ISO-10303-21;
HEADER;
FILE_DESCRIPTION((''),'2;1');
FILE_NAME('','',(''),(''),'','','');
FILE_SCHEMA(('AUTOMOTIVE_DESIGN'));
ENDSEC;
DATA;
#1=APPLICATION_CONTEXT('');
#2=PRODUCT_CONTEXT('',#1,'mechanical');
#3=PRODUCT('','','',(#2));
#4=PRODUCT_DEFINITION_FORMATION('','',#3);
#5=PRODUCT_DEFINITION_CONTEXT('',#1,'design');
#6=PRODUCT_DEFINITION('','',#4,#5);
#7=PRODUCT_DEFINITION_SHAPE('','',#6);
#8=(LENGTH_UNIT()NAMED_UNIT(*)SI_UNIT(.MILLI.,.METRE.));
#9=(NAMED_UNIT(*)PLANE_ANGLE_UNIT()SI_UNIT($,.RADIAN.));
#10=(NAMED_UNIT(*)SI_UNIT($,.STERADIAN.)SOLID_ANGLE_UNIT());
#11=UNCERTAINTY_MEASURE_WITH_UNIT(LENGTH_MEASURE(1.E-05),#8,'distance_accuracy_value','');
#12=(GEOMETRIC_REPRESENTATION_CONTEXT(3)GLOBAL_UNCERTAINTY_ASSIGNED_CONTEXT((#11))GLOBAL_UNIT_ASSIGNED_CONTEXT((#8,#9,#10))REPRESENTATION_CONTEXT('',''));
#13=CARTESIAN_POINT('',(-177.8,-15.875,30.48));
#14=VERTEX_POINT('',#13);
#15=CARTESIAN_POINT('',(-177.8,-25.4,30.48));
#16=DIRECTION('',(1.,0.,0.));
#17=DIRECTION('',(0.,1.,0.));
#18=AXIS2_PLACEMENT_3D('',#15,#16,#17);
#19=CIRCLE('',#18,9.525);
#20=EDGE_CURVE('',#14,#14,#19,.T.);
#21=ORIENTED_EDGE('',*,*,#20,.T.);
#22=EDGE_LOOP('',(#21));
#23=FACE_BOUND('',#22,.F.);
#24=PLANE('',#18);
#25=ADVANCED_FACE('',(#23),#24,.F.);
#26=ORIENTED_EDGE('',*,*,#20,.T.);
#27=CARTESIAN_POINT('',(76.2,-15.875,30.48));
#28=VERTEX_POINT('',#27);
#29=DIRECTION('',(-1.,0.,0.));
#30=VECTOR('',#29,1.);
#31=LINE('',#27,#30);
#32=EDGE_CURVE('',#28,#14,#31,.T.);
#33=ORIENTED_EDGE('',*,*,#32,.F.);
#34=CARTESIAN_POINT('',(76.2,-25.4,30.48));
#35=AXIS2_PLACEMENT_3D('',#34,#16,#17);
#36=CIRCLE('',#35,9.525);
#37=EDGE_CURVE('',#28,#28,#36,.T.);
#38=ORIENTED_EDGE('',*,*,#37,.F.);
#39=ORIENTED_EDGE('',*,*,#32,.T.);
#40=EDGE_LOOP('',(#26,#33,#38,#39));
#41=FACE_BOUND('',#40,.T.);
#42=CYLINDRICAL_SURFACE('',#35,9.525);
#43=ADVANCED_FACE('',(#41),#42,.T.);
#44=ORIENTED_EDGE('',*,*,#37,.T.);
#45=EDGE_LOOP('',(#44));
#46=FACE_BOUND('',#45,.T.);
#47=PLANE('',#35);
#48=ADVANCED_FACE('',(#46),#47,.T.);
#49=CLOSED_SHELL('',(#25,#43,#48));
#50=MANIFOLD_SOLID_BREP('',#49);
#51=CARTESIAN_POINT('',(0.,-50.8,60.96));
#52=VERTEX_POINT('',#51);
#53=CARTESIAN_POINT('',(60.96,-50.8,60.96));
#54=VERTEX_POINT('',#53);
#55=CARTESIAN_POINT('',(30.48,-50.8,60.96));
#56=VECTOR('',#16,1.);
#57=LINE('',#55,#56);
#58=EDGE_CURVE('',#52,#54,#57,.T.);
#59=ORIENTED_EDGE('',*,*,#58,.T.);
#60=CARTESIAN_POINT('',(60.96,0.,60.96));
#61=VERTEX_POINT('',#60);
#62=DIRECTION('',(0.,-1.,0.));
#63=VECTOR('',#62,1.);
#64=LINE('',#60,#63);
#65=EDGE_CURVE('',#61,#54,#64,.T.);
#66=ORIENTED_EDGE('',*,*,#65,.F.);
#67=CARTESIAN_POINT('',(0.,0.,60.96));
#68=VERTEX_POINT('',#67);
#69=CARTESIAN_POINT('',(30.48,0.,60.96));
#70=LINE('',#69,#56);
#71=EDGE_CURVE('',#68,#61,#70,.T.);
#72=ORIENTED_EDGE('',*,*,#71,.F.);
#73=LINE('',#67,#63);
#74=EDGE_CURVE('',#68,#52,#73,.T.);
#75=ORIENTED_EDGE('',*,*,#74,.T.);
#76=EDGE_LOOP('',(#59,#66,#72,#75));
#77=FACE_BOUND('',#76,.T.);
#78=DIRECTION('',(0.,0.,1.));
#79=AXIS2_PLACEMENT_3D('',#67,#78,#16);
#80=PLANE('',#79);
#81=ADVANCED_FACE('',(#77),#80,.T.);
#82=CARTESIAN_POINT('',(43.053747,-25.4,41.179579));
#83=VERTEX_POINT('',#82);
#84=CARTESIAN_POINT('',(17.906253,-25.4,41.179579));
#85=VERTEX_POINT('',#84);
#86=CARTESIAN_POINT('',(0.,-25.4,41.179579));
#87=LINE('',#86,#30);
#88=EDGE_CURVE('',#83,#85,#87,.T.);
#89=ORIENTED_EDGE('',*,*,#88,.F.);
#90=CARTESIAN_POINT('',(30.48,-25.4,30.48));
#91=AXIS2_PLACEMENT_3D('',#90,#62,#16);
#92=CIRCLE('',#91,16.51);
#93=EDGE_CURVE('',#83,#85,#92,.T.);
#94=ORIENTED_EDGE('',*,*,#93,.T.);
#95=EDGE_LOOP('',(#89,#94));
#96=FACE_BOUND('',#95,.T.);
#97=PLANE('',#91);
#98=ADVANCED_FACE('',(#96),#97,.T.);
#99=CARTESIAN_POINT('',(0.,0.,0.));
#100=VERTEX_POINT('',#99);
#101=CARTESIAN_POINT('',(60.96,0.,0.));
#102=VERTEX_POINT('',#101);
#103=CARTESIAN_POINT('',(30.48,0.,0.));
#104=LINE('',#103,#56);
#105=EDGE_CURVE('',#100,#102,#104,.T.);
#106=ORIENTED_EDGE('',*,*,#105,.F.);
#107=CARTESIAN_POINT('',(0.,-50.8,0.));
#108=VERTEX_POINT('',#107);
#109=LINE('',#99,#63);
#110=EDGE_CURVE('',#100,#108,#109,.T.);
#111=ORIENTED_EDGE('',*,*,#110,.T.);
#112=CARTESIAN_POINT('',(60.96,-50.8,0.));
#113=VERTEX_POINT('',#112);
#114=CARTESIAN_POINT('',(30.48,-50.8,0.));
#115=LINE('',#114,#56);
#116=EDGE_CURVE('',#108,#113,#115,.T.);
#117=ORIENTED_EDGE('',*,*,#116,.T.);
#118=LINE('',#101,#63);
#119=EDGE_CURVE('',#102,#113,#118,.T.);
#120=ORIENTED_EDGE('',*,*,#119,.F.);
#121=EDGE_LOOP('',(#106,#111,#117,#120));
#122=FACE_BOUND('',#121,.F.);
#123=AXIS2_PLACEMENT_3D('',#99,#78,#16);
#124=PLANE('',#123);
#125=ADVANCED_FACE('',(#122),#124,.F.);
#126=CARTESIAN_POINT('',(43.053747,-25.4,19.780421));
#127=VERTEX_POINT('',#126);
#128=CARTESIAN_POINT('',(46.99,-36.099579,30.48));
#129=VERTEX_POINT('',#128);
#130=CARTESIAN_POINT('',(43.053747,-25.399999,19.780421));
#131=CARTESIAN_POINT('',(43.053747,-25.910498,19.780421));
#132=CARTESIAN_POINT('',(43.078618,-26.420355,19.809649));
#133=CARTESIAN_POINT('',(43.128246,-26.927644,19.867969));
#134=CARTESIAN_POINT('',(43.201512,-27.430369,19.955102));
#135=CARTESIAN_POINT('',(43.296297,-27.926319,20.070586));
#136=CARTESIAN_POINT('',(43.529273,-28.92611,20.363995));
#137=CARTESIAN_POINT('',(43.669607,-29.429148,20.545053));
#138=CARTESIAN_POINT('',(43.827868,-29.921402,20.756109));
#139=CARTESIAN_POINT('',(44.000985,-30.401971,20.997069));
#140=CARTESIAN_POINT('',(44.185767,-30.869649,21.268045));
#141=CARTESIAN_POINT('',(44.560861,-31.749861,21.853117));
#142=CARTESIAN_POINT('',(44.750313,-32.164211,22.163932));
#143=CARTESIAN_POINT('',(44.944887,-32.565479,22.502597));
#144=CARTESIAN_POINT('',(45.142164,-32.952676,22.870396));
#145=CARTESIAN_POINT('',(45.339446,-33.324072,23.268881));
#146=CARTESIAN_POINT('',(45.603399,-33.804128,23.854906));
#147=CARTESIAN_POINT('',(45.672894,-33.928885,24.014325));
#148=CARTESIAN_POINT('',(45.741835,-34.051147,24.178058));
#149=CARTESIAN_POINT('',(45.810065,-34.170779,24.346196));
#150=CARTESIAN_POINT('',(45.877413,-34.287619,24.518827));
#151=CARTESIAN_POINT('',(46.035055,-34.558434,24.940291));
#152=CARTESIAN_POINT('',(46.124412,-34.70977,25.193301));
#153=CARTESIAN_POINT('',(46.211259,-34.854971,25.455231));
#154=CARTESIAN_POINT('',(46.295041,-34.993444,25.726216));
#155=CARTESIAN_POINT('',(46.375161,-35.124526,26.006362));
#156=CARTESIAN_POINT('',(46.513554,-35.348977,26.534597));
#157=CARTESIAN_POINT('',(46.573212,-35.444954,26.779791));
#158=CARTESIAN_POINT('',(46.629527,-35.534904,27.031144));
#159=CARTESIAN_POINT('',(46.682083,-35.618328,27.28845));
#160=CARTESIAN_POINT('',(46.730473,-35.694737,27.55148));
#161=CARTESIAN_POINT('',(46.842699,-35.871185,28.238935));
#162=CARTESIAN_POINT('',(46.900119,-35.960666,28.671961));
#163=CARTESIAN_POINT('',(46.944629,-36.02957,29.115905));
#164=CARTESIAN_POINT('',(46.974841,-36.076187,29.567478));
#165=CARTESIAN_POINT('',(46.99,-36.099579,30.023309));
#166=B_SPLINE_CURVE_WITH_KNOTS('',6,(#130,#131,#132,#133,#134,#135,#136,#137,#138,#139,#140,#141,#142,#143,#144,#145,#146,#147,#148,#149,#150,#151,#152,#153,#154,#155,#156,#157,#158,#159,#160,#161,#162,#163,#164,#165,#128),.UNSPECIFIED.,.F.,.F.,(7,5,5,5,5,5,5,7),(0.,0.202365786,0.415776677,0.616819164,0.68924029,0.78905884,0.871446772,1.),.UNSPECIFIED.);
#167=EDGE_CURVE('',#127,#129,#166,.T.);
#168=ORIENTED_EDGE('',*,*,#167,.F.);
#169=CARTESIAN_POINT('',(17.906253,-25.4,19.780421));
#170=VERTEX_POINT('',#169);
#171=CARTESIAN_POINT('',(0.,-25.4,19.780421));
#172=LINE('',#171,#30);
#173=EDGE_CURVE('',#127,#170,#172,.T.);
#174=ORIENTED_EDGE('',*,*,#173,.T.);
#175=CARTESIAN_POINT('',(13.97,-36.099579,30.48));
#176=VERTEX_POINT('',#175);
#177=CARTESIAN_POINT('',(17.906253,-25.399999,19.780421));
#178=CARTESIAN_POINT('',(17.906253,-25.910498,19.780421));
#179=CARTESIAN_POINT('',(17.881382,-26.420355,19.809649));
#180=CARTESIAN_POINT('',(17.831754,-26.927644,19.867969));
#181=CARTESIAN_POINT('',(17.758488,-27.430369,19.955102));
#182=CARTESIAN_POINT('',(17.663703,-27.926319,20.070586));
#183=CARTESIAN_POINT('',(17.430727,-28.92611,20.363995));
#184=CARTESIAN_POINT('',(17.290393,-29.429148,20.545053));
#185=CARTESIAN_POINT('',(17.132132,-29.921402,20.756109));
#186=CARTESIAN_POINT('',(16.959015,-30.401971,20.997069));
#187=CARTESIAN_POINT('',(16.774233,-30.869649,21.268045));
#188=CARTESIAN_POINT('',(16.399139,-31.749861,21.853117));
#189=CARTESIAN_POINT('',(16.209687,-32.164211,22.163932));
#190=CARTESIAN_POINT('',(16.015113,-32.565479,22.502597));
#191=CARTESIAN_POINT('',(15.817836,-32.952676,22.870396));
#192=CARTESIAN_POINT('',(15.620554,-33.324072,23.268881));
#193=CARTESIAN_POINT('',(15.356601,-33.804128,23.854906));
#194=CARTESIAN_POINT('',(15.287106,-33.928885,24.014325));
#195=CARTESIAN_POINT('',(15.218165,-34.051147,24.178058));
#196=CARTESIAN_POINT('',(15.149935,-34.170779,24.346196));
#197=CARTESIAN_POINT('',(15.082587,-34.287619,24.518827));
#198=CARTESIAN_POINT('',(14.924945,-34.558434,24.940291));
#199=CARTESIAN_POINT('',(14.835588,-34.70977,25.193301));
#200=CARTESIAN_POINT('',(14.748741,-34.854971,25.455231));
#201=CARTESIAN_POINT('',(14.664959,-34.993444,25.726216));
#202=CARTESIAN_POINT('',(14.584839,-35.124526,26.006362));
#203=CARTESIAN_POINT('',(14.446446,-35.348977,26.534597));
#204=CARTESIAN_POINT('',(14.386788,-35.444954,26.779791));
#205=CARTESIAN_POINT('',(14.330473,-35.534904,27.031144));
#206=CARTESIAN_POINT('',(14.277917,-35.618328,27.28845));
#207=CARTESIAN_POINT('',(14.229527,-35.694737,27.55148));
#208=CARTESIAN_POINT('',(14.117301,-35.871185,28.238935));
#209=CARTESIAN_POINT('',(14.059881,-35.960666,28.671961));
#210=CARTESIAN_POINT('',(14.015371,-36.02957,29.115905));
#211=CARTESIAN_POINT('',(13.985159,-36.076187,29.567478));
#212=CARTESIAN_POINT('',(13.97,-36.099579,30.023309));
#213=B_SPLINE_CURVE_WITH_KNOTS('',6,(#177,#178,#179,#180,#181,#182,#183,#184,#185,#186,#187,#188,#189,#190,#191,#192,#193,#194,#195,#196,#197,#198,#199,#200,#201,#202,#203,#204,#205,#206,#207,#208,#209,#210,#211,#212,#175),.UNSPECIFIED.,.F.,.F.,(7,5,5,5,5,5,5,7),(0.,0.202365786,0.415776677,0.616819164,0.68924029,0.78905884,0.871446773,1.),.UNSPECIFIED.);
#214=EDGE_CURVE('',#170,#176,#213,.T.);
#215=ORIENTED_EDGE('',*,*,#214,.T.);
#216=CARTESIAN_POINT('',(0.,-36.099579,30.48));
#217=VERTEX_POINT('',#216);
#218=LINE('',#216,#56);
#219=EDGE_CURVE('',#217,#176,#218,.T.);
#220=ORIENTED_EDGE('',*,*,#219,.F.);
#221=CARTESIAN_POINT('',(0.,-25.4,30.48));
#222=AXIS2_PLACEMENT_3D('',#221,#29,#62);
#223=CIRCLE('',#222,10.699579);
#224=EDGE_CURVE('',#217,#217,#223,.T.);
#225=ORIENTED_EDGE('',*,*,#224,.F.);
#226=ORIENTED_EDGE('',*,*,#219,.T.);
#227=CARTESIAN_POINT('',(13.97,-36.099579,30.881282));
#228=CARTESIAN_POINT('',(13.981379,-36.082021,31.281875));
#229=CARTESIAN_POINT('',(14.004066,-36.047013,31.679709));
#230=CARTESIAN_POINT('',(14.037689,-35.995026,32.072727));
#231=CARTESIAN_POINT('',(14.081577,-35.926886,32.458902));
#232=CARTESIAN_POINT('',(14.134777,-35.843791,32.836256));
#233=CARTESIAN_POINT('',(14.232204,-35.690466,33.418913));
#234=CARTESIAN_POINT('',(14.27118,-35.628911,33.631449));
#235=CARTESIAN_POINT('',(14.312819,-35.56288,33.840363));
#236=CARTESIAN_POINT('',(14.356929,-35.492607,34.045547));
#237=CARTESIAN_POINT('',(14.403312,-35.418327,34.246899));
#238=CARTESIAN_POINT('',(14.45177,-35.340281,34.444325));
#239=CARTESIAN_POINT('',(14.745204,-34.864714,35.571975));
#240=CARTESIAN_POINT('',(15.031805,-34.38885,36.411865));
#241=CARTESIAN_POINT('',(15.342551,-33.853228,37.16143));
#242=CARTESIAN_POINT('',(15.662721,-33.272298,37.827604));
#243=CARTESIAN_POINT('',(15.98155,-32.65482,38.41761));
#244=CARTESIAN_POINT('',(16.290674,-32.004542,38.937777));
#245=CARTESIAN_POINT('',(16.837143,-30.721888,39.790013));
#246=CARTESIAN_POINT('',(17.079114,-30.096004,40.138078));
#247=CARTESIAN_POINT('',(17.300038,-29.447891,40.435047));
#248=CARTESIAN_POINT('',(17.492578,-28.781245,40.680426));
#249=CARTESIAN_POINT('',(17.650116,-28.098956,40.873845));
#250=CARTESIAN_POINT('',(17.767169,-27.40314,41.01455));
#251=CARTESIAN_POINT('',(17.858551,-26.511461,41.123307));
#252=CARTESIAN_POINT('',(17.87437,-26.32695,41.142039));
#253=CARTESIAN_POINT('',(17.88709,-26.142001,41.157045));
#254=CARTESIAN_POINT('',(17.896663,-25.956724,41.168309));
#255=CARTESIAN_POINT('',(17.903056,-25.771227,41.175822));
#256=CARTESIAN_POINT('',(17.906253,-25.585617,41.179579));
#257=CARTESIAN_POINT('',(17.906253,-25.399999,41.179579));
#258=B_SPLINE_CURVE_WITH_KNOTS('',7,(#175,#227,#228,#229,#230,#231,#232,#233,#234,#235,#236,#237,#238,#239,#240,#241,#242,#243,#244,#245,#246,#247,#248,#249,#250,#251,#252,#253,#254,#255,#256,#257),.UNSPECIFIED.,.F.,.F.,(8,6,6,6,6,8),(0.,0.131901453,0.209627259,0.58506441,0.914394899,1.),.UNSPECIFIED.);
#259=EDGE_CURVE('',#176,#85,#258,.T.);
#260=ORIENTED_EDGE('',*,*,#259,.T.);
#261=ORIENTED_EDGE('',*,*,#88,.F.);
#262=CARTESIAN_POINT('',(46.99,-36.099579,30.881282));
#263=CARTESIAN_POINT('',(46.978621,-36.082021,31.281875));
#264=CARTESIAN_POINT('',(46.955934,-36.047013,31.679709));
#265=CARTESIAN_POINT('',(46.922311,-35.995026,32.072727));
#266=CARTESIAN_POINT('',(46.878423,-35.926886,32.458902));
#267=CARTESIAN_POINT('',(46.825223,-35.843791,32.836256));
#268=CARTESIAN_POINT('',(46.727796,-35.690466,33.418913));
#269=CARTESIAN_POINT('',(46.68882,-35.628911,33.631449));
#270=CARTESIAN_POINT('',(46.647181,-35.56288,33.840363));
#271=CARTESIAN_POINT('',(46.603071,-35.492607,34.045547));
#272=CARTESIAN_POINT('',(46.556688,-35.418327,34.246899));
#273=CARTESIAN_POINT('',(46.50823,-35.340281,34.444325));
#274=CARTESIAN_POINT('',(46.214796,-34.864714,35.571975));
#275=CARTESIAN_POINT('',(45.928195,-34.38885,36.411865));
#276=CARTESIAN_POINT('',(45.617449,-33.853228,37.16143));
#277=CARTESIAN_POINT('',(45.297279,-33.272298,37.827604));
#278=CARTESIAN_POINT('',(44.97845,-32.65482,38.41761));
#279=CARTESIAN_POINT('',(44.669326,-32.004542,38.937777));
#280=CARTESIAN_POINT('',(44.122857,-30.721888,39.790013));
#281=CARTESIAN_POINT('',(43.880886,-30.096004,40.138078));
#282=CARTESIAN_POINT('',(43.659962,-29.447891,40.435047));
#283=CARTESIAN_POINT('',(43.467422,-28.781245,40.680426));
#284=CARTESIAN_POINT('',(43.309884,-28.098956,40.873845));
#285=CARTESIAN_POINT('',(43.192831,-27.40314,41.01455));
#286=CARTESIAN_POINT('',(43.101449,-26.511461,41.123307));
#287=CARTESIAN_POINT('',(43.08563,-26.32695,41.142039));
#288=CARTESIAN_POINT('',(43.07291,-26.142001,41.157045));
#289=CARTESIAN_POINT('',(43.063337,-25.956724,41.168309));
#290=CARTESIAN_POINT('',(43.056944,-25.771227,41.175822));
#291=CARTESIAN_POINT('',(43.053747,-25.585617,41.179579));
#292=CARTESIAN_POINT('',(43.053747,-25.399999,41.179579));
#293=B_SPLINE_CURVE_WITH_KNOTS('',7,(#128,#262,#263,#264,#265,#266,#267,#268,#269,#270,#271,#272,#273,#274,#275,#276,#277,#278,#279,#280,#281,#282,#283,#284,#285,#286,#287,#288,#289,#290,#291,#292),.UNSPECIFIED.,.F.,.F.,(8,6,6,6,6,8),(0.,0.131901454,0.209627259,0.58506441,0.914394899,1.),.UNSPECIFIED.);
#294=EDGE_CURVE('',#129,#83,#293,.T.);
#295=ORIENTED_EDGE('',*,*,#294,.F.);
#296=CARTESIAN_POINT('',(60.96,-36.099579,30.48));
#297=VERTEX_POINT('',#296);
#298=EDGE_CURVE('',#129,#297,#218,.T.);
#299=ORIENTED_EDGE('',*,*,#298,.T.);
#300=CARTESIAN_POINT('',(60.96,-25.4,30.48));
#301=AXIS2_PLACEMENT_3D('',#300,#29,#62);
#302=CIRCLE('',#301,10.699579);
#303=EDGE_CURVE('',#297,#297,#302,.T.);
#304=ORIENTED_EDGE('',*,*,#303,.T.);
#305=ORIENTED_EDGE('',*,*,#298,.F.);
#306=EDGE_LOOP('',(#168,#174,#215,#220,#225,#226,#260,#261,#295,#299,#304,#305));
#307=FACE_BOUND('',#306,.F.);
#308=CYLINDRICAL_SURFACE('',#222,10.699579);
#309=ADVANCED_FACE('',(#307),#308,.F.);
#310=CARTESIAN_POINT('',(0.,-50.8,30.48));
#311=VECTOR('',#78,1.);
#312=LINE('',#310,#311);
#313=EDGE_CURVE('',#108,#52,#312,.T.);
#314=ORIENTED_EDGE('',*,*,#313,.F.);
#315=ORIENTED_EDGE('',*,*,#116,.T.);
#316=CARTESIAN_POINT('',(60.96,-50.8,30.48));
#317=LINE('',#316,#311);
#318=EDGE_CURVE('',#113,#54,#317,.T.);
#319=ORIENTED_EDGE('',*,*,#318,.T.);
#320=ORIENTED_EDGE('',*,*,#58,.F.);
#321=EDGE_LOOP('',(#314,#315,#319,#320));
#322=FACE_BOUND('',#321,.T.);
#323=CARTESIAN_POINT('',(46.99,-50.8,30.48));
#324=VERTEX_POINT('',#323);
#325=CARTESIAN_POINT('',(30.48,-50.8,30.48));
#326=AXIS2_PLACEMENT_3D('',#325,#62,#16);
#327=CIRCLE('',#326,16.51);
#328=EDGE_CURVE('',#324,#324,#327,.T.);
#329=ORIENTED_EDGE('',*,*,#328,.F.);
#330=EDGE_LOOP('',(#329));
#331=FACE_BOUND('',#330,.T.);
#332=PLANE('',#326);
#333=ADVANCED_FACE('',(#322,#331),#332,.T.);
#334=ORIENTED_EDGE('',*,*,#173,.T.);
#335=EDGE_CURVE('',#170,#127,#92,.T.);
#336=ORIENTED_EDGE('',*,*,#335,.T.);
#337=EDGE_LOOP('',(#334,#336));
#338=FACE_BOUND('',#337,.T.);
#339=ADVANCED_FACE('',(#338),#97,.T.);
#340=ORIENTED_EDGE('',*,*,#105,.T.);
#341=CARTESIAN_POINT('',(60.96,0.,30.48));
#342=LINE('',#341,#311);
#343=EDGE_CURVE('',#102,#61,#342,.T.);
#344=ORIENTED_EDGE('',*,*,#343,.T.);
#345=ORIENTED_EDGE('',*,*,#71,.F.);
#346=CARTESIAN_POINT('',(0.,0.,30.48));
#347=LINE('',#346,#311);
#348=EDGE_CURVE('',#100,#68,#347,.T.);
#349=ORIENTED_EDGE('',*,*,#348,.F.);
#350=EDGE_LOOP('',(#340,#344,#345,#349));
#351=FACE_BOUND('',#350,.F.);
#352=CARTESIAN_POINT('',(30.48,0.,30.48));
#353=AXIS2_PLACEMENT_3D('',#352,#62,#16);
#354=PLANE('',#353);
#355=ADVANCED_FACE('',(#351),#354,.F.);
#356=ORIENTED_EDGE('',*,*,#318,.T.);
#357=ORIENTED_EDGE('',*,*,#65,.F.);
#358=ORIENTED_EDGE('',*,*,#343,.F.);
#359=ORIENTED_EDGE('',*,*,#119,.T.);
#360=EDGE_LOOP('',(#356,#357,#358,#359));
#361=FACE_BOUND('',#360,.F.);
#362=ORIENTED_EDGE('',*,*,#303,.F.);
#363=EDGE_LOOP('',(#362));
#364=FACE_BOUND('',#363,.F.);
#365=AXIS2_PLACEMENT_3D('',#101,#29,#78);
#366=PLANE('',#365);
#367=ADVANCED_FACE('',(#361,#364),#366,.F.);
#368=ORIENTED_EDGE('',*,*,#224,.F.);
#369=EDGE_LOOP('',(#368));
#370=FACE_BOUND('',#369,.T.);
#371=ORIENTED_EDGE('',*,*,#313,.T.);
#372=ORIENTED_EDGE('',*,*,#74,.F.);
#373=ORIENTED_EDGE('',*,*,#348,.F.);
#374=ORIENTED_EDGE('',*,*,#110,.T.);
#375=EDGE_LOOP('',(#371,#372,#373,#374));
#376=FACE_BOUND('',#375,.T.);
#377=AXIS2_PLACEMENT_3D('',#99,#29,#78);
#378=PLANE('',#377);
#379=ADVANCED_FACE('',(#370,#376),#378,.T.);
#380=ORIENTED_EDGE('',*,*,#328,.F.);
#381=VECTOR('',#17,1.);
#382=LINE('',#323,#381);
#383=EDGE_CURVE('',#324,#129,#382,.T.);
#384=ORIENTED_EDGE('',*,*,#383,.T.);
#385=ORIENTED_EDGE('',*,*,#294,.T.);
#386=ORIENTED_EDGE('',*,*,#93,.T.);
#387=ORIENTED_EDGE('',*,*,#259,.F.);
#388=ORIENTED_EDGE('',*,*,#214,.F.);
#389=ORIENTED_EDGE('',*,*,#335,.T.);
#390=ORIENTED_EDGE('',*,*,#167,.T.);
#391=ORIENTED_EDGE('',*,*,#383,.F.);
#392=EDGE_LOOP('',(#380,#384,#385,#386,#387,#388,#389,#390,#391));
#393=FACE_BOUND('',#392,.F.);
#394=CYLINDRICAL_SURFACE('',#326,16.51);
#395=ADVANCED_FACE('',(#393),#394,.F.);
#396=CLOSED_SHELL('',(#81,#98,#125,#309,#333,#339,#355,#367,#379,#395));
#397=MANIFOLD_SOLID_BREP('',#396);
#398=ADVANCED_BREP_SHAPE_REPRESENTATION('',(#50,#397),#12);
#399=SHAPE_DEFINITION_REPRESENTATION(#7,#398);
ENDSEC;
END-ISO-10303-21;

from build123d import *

# Parameters (mm, degrees)
F0_W     = 60.96
F0_H     = 60.96
F1_DEPTH = 50.8
F2_R     = 16.51
F3_DEPTH = 25.4
F4_R     = 10.699579
F5_DEPTH = 60.96
F7_R     = 9.525
F8_DEPTH = 254


with BuildPart() as f1:
    # F0 (on Front) → F1 (new body)
    with BuildSketch(Plane.XZ):
        with Locations((30.48, 30.48)):
            Rectangle(F0_W, F0_H)
    extrude(amount=F1_DEPTH)

    # F2 (on face) → F3 (cut)
    with BuildSketch(Plane.XZ.offset(50.8)):
        with Locations((30.48, 30.48)):
            Circle(F2_R)
    extrude(amount=-F3_DEPTH, mode=Mode.SUBTRACT)

    # F4 (on face) → F5 (cut)
    with BuildSketch(Plane(origin=(0, 0, 0), x_dir=(0, -1, 0), z_dir=(-1, 0, 0))):
        with Locations((25.4, 30.48)):
            Circle(F4_R)
    extrude(amount=-F5_DEPTH, mode=Mode.SUBTRACT)


with BuildPart() as f8:
    # F7 (on offset) → F8 (new body)
    with BuildSketch(Plane.YZ.offset(76.2)):
        with Locations((-25.4, 30.48)):
            Circle(F7_R)
    extrude(amount=-F8_DEPTH)


solid = Compound([f1.part, f8.part])
